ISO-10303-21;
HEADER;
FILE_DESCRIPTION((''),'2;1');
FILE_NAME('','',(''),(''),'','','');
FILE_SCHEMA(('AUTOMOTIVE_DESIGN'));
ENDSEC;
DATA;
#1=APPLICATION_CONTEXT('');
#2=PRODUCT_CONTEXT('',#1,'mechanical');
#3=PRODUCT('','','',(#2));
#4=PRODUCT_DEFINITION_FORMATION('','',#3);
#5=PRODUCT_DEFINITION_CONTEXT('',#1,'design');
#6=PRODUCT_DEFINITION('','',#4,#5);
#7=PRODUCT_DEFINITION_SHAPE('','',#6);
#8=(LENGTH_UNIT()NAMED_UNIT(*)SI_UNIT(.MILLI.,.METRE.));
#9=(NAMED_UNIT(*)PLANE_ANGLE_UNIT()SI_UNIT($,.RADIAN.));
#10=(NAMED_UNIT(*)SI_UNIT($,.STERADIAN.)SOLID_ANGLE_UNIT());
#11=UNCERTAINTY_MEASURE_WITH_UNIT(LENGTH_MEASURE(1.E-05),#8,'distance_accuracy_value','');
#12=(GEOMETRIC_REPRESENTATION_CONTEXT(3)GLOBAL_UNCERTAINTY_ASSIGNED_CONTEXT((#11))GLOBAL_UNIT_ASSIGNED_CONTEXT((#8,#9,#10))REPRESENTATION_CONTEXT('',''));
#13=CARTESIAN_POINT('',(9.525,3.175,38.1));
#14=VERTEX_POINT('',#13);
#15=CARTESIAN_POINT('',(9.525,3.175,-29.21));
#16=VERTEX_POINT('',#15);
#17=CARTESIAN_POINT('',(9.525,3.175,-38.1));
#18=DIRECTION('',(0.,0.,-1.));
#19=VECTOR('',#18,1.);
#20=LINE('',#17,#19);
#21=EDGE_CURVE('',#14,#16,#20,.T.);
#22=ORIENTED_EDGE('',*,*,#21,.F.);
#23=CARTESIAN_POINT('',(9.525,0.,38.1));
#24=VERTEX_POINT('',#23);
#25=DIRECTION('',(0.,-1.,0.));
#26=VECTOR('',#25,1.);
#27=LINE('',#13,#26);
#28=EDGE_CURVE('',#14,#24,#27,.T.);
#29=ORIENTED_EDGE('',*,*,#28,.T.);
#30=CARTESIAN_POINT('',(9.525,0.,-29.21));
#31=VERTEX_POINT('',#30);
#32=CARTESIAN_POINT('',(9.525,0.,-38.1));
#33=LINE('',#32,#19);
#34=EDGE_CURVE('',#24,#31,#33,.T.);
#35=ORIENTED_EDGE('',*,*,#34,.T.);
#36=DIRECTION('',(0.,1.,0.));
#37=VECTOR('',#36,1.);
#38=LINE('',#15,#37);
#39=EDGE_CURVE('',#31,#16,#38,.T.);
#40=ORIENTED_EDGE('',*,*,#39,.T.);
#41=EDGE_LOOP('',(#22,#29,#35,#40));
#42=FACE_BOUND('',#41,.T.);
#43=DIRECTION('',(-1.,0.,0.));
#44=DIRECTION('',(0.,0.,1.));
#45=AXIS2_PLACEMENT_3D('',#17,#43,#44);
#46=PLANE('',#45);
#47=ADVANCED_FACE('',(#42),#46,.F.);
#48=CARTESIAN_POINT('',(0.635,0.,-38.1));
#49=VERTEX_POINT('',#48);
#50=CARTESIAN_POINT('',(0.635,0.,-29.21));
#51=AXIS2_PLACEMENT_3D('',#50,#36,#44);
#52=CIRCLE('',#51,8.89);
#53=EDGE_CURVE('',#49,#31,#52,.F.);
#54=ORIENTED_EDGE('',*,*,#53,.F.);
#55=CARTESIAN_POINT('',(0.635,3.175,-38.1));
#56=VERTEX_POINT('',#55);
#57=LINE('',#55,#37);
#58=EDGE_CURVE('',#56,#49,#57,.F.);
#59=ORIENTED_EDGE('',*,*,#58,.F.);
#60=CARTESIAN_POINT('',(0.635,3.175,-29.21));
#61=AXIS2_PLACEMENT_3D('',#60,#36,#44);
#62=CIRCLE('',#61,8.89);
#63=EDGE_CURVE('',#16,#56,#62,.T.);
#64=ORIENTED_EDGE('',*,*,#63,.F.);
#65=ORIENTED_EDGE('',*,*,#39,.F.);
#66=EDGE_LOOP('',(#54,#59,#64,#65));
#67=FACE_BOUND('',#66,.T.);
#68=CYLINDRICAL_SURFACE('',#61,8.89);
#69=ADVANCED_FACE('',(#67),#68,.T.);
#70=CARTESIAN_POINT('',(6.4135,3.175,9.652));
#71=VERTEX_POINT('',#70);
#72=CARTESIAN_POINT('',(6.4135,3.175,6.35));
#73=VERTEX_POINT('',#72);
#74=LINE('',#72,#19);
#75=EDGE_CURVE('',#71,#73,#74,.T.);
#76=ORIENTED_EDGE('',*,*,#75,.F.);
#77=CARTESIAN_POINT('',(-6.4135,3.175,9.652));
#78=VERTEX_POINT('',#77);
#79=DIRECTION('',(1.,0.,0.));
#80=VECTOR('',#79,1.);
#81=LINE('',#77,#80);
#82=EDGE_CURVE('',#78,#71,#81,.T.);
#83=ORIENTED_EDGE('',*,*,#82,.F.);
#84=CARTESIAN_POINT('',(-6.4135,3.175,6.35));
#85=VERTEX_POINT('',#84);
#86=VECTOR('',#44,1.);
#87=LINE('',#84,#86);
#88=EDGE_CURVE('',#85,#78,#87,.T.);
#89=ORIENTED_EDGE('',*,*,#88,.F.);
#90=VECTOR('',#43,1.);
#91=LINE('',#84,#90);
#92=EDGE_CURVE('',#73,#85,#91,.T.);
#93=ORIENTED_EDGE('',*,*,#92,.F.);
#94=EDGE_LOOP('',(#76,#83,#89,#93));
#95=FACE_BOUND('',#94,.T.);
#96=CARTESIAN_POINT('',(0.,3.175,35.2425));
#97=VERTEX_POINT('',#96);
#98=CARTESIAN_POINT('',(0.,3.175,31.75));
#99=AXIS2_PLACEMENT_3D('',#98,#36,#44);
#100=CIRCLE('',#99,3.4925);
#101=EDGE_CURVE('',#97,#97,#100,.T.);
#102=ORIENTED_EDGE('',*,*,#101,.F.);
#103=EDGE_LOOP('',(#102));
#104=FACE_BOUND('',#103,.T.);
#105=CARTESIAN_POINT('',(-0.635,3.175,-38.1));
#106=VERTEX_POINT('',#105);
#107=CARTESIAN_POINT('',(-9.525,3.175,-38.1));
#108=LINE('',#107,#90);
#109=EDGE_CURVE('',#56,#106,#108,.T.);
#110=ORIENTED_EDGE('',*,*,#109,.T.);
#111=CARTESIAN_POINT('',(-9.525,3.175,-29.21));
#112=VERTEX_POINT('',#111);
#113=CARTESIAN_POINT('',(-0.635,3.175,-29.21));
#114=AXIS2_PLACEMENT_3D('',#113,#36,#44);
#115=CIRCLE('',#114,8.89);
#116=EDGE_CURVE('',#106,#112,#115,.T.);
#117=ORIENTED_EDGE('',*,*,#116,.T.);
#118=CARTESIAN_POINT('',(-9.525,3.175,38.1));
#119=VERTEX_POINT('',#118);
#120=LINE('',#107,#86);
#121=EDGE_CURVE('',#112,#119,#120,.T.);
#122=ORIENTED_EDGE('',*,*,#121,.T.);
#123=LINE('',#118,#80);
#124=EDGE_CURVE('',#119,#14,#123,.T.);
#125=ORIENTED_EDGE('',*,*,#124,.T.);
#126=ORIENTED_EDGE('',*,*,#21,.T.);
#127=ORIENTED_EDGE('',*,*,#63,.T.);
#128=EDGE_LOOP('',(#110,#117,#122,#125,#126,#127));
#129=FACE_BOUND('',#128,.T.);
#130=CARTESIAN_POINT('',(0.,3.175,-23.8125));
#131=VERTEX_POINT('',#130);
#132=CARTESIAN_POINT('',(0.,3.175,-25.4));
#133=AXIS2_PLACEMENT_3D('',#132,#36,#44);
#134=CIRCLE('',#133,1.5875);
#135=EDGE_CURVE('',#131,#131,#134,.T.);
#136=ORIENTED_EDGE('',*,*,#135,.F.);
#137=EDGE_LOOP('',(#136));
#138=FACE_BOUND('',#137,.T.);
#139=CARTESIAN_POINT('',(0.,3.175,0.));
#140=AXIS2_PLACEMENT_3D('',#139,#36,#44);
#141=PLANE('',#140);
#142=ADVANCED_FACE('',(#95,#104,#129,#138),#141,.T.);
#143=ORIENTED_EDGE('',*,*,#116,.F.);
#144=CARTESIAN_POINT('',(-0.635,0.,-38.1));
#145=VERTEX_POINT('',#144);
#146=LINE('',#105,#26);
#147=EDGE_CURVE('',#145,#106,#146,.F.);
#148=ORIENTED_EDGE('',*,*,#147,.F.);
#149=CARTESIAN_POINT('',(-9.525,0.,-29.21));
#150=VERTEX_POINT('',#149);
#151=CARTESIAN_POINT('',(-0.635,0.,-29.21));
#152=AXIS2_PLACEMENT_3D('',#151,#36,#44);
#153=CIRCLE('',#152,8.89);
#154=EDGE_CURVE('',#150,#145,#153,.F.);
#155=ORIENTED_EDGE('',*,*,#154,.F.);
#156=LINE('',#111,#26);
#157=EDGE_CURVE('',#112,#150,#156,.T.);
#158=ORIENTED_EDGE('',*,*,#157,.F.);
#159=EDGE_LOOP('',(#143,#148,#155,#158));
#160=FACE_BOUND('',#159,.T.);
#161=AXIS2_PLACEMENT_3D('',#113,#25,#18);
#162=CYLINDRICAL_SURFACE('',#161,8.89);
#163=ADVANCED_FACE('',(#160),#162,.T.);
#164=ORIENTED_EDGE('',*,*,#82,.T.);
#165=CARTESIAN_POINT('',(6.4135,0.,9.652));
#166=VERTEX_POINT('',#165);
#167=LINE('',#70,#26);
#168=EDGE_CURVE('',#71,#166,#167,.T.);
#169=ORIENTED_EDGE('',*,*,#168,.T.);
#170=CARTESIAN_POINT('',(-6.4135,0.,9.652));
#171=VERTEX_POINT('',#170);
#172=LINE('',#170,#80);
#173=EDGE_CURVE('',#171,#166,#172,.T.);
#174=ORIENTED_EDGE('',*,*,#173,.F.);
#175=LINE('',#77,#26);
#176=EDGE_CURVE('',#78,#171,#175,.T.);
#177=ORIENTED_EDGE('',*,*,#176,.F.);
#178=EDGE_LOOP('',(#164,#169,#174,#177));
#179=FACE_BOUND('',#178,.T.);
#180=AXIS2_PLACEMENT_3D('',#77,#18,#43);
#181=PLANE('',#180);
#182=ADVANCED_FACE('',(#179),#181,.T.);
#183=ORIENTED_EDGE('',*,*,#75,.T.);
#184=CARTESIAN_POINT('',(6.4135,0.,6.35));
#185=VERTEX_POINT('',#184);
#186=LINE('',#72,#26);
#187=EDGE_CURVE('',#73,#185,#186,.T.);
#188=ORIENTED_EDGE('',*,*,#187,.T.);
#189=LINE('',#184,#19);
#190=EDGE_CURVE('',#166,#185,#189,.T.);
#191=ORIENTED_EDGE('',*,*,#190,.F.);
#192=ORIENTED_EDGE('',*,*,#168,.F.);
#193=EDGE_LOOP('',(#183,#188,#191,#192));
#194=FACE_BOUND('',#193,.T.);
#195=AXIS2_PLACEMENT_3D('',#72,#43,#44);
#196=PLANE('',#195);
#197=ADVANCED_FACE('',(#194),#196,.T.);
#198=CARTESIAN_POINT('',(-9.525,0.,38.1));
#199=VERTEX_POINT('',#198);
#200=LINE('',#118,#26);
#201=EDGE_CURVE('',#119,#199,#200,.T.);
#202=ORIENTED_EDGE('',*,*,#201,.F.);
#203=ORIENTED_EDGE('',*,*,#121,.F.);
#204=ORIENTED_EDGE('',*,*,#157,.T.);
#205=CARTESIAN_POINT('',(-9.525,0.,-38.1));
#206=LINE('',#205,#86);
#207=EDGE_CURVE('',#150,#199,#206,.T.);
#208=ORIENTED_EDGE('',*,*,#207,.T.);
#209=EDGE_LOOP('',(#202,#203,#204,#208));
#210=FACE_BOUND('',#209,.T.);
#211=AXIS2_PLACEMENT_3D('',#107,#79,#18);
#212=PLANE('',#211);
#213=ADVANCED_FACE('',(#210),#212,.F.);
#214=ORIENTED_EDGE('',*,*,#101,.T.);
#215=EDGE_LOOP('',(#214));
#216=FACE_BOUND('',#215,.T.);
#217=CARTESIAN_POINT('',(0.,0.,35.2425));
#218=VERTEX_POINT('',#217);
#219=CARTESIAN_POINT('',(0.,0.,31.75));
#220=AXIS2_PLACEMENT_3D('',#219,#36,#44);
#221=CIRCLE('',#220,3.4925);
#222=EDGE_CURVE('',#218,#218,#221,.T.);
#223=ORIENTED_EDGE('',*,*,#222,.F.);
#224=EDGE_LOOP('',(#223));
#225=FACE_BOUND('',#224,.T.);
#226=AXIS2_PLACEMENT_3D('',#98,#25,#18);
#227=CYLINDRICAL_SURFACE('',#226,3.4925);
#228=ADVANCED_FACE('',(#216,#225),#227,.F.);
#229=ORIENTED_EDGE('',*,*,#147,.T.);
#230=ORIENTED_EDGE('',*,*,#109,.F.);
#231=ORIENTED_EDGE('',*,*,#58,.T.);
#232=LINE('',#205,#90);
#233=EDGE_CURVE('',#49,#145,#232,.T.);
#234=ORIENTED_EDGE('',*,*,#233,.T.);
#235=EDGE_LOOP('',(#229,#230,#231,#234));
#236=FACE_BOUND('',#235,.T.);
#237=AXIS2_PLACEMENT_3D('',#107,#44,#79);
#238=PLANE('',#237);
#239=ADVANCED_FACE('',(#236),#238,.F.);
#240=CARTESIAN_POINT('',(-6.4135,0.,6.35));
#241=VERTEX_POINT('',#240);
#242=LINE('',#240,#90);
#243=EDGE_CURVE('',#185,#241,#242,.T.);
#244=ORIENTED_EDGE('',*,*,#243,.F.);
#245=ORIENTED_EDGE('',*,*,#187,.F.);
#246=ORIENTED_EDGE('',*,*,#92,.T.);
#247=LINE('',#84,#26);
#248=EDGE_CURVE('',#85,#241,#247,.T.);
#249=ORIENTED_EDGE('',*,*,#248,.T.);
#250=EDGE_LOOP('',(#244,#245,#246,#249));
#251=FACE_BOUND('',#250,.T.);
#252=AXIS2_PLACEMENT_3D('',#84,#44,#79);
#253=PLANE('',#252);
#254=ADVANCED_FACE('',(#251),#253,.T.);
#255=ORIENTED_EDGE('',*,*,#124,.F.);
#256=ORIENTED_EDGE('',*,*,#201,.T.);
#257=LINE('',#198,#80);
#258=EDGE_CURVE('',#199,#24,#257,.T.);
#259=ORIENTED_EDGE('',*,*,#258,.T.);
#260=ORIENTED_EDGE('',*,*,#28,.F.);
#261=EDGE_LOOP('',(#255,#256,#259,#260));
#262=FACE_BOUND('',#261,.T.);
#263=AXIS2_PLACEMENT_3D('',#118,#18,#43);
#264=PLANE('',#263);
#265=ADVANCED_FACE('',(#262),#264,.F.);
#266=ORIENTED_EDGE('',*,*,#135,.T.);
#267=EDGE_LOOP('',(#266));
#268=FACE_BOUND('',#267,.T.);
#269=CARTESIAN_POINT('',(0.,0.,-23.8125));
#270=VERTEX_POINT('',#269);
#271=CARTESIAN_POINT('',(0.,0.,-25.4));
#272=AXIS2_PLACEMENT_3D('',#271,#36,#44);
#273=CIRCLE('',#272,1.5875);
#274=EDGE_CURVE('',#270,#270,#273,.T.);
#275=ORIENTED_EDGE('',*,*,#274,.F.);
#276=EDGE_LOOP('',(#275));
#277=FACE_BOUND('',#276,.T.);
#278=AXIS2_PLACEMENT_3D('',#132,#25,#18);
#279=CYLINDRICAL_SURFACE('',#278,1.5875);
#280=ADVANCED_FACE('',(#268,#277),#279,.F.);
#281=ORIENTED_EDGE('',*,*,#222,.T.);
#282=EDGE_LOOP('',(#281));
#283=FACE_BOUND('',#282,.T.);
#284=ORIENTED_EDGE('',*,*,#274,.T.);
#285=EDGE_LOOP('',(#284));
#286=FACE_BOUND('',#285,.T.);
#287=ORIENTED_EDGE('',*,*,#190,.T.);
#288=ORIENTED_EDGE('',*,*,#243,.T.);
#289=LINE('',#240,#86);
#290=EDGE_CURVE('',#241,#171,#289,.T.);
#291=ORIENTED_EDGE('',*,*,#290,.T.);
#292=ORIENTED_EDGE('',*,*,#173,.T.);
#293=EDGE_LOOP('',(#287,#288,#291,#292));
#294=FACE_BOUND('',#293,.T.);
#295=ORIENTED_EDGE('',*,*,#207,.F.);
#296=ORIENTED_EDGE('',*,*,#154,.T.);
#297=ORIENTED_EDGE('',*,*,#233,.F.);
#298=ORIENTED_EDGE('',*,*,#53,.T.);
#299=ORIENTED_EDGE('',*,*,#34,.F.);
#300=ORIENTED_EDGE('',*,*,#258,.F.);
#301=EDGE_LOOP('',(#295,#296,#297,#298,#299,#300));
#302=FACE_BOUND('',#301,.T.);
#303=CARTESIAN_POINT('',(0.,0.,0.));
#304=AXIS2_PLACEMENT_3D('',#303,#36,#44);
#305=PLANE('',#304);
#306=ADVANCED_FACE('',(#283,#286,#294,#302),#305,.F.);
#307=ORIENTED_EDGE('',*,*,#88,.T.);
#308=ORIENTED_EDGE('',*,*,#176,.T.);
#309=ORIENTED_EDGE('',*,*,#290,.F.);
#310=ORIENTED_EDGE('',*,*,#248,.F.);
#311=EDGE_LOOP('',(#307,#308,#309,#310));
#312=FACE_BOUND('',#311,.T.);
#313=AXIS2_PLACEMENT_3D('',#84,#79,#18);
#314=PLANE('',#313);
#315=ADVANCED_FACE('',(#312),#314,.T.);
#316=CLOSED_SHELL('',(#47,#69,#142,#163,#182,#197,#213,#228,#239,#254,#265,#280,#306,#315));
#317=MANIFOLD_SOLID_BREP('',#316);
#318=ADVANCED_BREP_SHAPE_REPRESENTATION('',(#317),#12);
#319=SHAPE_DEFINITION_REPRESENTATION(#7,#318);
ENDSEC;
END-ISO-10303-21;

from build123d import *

# Parameters (mm, degrees)
SKETCH1_W           = 19.05
SKETCH1_H           = 76.2
SKETCH1_R           = 1.5875
SKETCH1_R_2         = 3.4925
SKETCH1_W_2         = 12.827
SKETCH1_H_2         = 3.302
BOSS_EXTRUDE1_DEPTH = 3.175
FILLET1_R           = 8.89
FILLET2_R           = 8.89


with BuildPart() as part:
    # Sketch1 → Boss-Extrude1 (new body)
    with BuildSketch(Plane(origin=(0, 0, 0), x_dir=(1, 0, 0), z_dir=(0, 1, 0))):
        Rectangle(SKETCH1_W, SKETCH1_H)
        with Locations((0, 25.4)):
            Circle(SKETCH1_R, mode=Mode.SUBTRACT)
        with Locations((0, -31.75)):
            Circle(SKETCH1_R_2, mode=Mode.SUBTRACT)
        with Locations((0, -8.001)):
            Rectangle(SKETCH1_W_2, SKETCH1_H_2, mode=Mode.SUBTRACT)
    extrude(amount=BOSS_EXTRUDE1_DEPTH)

    # Fillet1
    fillet1_edges = [part.edges().sort_by_distance(p)[0] for p in [
        (9.525, 1.5875, -38.1),
    ]]
    fillet(fillet1_edges, radius=FILLET1_R)

    # Fillet2
    fillet2_edges = [part.edges().sort_by_distance(p)[0] for p in [
        (-9.525, 1.5875, -38.1),
    ]]
    fillet(fillet2_edges, radius=FILLET2_R)


solid = part.part
